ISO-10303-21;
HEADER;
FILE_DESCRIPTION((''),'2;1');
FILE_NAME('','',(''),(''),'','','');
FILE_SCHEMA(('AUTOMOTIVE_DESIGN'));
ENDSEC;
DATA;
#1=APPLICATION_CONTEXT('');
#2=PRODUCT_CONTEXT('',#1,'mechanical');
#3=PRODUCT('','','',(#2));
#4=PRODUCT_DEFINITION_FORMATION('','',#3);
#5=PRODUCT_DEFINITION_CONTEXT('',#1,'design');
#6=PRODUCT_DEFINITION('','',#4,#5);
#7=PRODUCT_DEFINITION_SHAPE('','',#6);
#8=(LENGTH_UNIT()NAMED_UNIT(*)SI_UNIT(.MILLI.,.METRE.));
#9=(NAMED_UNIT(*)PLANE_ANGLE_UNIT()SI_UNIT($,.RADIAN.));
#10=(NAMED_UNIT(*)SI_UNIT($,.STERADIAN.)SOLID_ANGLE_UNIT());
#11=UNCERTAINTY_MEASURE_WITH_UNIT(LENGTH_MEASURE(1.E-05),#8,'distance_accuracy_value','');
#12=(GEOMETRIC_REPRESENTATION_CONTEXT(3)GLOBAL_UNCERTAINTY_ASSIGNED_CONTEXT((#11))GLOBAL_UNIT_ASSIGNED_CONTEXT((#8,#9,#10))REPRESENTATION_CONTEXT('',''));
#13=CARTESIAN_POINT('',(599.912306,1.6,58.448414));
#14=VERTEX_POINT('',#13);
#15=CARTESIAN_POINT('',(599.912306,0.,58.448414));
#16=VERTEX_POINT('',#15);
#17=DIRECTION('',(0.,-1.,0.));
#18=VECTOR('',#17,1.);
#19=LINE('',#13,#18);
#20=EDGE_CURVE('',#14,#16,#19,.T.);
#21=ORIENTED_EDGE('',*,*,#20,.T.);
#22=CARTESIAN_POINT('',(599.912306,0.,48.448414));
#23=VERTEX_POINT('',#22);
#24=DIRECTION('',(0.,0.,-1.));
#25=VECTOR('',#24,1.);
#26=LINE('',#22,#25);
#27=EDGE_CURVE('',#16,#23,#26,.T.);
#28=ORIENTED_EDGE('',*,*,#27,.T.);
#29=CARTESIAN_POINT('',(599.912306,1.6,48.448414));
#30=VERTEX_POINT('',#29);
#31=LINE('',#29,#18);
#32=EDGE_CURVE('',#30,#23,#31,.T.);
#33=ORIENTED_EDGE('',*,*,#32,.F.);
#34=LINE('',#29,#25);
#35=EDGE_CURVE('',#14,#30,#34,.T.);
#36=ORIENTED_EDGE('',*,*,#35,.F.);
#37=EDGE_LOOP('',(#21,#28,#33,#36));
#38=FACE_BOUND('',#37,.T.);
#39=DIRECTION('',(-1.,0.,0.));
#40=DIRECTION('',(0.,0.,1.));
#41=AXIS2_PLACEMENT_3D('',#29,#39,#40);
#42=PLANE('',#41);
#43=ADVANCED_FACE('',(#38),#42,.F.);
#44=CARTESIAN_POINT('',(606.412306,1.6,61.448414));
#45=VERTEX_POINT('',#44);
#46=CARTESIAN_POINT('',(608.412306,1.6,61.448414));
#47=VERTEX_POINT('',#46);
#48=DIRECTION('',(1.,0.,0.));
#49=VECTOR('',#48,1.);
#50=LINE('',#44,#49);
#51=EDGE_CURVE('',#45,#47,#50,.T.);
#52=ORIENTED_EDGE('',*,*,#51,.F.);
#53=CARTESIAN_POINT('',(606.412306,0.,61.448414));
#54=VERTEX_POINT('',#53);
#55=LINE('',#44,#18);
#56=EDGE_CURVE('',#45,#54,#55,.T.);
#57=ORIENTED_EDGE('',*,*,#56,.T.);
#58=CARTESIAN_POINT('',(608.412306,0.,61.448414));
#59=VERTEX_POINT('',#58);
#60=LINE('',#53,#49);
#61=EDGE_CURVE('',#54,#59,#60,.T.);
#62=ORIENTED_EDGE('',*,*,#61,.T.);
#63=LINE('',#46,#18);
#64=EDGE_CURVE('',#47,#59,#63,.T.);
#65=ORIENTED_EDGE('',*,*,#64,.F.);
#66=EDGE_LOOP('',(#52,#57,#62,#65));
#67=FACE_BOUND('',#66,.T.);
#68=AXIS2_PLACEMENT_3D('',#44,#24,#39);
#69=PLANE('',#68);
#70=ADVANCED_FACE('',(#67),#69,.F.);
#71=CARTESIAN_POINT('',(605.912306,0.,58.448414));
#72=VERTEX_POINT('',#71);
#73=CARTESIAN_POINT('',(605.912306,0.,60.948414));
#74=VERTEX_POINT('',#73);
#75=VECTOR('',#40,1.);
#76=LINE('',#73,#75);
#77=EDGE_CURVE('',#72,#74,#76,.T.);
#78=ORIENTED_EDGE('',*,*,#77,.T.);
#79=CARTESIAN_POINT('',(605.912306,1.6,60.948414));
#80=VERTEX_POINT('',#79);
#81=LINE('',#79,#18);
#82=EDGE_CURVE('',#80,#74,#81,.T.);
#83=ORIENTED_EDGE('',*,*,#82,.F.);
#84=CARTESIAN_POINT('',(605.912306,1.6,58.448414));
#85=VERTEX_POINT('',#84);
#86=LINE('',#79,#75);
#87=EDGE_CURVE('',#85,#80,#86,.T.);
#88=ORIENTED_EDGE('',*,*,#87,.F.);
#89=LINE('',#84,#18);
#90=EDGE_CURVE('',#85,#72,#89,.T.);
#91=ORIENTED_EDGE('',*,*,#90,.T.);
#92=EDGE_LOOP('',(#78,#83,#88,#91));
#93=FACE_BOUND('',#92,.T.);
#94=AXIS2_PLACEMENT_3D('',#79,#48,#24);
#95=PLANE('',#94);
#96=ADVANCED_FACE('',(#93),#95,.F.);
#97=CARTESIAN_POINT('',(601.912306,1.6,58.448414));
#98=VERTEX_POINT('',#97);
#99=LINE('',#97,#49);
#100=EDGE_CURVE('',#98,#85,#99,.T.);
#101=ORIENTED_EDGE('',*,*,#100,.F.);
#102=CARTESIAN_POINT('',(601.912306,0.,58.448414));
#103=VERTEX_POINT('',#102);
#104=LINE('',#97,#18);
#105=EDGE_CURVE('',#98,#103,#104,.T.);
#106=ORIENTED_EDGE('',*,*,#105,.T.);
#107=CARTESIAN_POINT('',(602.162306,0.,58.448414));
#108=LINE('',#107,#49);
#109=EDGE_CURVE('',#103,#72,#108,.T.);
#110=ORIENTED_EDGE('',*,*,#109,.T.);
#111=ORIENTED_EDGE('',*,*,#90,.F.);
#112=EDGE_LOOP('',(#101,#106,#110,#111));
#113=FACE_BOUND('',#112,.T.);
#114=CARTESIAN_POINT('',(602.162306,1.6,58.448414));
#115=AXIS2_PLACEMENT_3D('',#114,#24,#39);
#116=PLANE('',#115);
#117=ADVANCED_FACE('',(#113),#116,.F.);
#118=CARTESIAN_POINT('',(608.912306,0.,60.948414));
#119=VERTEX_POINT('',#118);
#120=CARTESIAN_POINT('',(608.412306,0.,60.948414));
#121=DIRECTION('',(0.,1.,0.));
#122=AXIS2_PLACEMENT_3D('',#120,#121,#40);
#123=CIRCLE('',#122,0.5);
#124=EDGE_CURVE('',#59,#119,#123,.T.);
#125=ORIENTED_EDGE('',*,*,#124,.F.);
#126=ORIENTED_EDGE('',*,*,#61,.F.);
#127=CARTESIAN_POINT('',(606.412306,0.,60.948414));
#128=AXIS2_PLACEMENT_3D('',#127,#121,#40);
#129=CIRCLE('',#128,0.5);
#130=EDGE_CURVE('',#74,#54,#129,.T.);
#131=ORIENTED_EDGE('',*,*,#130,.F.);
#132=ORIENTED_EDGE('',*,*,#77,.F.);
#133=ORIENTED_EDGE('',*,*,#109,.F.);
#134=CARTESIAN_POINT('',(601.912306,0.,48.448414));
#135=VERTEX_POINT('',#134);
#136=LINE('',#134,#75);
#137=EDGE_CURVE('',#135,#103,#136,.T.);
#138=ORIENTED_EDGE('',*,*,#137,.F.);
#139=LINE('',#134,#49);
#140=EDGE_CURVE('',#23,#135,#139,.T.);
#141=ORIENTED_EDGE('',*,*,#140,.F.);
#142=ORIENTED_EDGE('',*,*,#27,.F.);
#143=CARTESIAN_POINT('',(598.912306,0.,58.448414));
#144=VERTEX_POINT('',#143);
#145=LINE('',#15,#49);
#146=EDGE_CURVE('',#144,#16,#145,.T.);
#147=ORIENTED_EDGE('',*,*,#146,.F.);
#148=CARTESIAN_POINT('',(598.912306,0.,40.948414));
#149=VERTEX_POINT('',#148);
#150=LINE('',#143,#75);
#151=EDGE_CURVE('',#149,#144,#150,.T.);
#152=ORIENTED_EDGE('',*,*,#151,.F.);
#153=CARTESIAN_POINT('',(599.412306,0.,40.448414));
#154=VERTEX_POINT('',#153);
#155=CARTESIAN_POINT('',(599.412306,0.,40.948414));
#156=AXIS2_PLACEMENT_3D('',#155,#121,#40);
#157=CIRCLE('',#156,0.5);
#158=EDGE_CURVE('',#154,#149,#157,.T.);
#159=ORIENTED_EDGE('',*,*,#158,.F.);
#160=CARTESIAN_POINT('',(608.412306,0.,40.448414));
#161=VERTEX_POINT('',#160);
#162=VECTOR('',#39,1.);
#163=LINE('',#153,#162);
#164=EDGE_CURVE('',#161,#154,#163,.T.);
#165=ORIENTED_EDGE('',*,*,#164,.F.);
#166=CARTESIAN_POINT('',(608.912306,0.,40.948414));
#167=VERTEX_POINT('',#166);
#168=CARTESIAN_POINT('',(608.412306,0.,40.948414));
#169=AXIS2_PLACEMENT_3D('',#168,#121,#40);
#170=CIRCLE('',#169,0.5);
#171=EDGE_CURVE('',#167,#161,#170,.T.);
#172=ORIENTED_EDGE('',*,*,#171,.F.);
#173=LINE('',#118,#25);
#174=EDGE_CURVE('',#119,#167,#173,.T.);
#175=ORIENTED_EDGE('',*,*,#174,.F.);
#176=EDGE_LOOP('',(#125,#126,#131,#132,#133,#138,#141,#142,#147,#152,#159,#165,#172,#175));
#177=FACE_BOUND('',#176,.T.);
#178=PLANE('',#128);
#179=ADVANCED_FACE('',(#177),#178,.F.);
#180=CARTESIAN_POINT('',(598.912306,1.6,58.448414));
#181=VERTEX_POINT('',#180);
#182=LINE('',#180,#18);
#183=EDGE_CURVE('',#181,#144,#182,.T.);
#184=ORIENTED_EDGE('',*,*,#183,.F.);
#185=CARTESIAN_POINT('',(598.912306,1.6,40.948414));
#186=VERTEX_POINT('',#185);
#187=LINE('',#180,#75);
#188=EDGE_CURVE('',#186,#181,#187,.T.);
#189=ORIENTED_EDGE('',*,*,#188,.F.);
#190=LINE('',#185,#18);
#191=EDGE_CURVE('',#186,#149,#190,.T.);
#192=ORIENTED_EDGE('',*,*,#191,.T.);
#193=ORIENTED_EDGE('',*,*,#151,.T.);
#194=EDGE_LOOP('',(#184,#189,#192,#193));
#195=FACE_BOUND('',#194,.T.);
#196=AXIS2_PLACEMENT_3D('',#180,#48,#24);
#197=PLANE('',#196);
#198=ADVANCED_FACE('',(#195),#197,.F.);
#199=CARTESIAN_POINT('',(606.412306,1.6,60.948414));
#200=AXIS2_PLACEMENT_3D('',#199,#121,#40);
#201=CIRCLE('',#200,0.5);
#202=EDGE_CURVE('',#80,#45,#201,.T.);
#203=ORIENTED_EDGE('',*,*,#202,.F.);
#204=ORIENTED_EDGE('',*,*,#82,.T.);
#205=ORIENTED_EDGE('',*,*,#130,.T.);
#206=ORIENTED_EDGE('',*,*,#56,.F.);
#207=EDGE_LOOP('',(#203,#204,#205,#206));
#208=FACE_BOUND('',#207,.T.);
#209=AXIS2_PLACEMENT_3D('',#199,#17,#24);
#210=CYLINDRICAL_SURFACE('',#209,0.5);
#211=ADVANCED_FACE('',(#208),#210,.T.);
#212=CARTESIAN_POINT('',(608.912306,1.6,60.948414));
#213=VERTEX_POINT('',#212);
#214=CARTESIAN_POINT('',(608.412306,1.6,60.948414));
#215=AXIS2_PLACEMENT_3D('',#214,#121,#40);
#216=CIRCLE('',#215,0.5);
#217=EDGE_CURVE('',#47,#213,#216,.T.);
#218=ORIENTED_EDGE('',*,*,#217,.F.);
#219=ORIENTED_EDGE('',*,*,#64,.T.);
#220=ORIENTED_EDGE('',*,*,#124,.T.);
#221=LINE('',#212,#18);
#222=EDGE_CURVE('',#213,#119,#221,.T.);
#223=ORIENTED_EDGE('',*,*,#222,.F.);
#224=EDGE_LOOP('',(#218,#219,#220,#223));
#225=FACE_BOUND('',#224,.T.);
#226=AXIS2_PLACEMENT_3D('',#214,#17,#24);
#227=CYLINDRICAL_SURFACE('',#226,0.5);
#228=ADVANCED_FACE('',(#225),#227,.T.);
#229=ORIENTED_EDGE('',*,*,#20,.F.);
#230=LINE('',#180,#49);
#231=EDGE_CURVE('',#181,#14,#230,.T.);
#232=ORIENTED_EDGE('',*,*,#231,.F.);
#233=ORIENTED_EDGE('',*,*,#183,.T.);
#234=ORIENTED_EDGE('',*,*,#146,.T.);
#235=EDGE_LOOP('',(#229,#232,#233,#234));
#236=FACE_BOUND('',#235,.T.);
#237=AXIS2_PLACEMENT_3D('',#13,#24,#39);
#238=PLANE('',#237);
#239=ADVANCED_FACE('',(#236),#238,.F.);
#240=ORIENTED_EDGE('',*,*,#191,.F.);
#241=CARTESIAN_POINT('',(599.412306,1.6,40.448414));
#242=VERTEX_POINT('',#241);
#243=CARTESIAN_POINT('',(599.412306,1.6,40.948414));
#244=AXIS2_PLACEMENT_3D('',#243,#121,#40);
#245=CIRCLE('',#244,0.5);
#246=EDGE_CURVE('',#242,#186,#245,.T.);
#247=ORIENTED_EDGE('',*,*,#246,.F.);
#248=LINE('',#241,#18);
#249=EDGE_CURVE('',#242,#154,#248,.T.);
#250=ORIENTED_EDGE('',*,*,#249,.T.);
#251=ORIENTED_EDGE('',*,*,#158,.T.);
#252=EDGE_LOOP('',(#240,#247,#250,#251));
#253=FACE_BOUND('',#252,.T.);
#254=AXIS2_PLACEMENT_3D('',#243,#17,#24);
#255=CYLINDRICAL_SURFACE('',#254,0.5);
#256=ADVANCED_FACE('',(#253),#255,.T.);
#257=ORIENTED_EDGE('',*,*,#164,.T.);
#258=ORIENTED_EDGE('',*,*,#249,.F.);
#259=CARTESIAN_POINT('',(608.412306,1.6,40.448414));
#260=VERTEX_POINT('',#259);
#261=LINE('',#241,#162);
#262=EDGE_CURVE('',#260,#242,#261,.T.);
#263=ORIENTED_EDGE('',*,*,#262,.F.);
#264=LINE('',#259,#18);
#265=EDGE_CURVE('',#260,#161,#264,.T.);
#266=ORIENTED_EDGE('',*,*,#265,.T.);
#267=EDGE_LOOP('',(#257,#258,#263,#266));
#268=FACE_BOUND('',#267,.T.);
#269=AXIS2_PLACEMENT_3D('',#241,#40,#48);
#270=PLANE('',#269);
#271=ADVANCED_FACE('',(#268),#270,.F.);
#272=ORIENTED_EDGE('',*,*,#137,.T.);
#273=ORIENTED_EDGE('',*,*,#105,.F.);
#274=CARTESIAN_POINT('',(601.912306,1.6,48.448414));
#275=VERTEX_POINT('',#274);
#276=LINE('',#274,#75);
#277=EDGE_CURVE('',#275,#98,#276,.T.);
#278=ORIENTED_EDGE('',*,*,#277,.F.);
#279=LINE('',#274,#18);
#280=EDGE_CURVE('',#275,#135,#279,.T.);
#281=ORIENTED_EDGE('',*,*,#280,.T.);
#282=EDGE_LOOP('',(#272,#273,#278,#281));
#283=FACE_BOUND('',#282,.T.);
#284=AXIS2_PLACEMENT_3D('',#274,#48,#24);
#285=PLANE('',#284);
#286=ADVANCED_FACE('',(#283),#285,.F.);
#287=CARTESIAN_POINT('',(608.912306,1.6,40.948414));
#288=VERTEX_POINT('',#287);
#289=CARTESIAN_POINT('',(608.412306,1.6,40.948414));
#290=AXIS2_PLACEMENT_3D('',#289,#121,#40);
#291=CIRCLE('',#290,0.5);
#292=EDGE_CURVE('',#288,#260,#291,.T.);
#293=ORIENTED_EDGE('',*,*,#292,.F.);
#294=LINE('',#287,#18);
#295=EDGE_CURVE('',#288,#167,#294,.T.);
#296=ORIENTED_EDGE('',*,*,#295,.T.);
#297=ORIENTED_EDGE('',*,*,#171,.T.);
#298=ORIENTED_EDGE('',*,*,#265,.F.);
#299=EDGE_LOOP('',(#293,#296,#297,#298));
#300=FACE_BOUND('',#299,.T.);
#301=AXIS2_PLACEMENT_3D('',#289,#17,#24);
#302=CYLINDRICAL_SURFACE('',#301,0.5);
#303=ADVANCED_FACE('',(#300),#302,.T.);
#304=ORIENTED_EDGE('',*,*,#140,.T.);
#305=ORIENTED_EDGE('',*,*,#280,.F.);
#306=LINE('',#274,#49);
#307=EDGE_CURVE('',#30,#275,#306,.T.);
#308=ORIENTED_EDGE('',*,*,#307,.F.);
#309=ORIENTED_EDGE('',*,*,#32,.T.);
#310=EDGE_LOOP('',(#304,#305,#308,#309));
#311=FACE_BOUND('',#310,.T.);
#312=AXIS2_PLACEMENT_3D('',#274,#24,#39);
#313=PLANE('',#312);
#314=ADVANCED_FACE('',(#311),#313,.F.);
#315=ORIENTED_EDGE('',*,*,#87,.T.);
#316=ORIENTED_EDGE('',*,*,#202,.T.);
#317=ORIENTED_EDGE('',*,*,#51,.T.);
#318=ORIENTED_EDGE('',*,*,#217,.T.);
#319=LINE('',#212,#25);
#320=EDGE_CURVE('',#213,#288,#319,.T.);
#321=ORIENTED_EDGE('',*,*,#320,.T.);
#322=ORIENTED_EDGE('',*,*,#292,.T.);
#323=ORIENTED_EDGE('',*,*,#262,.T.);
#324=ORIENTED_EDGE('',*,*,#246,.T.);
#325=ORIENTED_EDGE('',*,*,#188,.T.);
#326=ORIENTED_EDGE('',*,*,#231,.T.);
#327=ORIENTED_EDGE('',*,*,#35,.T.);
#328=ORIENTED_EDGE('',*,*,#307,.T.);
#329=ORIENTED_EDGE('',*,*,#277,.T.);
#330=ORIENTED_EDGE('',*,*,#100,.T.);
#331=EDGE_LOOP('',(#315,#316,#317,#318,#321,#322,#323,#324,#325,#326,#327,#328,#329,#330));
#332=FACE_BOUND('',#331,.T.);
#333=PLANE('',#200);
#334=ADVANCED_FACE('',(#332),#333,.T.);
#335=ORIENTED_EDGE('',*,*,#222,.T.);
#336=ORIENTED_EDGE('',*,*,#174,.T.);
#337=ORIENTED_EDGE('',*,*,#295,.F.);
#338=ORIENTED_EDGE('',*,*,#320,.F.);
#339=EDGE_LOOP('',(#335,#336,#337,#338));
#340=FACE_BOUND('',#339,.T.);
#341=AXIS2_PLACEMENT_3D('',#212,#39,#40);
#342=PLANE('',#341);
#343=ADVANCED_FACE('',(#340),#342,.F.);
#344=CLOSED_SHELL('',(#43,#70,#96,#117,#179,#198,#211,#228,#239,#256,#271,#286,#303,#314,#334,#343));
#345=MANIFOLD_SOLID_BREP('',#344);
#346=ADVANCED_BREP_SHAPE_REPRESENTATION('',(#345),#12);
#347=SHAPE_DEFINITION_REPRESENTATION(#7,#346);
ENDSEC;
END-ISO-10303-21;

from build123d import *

# Parameters (mm, degrees)
BOSS_EXTRUDE1_DEPTH = 1.6


with BuildPart() as part:
    # Sketch2 → Boss-Extrude1 (new body)
    with BuildSketch(Plane(origin=(0, 0, 0), x_dir=(1, 0, 0), z_dir=(0, 1, 0))):
        with BuildLine():
            Line((606.412306421, -61.448413556), (608.412306421, -61.448413556))
            ThreePointArc((608.412306421, -61.448413556), (608.765859812, -61.301966947), (608.912306421, -60.948413556))
            Line((608.912306421, -60.948413556), (608.912306421, -40.948413556))
            ThreePointArc((608.912306421, -40.948413556), (608.765859812, -40.594860166), (608.412306421, -40.448413556))
            Line((608.412306421, -40.448413556), (599.412306421, -40.448413556))
            ThreePointArc((599.412306421, -40.448413556), (599.05875303, -40.594860166), (598.912306421, -40.948413556))
            Line((598.912306421, -40.948413556), (598.912306421, -58.448413556))
            Line((598.912306421, -58.448413556), (599.662306421, -58.448413556))
            Line((599.662306421, -58.448413556), (599.912306421, -58.448413556))
            Line((599.912306421, -58.448413556), (599.912306421, -48.448413556))
            Line((599.912306421, -48.448413556), (601.912306421, -48.448413556))
            Line((601.912306421, -48.448413556), (601.912306421, -58.448413556))
            Line((601.912306421, -58.448413556), (602.162306421, -58.448413556))
            Line((602.162306421, -58.448413556), (605.912306421, -58.448413556))
            Line((605.912306421, -58.448413556), (605.912306421, -60.948413556))
            ThreePointArc((605.912306421, -60.948413556), (606.05875303, -61.301966947), (606.412306421, -61.448413556))
        make_face()
    extrude(amount=BOSS_EXTRUDE1_DEPTH)


solid = part.part
